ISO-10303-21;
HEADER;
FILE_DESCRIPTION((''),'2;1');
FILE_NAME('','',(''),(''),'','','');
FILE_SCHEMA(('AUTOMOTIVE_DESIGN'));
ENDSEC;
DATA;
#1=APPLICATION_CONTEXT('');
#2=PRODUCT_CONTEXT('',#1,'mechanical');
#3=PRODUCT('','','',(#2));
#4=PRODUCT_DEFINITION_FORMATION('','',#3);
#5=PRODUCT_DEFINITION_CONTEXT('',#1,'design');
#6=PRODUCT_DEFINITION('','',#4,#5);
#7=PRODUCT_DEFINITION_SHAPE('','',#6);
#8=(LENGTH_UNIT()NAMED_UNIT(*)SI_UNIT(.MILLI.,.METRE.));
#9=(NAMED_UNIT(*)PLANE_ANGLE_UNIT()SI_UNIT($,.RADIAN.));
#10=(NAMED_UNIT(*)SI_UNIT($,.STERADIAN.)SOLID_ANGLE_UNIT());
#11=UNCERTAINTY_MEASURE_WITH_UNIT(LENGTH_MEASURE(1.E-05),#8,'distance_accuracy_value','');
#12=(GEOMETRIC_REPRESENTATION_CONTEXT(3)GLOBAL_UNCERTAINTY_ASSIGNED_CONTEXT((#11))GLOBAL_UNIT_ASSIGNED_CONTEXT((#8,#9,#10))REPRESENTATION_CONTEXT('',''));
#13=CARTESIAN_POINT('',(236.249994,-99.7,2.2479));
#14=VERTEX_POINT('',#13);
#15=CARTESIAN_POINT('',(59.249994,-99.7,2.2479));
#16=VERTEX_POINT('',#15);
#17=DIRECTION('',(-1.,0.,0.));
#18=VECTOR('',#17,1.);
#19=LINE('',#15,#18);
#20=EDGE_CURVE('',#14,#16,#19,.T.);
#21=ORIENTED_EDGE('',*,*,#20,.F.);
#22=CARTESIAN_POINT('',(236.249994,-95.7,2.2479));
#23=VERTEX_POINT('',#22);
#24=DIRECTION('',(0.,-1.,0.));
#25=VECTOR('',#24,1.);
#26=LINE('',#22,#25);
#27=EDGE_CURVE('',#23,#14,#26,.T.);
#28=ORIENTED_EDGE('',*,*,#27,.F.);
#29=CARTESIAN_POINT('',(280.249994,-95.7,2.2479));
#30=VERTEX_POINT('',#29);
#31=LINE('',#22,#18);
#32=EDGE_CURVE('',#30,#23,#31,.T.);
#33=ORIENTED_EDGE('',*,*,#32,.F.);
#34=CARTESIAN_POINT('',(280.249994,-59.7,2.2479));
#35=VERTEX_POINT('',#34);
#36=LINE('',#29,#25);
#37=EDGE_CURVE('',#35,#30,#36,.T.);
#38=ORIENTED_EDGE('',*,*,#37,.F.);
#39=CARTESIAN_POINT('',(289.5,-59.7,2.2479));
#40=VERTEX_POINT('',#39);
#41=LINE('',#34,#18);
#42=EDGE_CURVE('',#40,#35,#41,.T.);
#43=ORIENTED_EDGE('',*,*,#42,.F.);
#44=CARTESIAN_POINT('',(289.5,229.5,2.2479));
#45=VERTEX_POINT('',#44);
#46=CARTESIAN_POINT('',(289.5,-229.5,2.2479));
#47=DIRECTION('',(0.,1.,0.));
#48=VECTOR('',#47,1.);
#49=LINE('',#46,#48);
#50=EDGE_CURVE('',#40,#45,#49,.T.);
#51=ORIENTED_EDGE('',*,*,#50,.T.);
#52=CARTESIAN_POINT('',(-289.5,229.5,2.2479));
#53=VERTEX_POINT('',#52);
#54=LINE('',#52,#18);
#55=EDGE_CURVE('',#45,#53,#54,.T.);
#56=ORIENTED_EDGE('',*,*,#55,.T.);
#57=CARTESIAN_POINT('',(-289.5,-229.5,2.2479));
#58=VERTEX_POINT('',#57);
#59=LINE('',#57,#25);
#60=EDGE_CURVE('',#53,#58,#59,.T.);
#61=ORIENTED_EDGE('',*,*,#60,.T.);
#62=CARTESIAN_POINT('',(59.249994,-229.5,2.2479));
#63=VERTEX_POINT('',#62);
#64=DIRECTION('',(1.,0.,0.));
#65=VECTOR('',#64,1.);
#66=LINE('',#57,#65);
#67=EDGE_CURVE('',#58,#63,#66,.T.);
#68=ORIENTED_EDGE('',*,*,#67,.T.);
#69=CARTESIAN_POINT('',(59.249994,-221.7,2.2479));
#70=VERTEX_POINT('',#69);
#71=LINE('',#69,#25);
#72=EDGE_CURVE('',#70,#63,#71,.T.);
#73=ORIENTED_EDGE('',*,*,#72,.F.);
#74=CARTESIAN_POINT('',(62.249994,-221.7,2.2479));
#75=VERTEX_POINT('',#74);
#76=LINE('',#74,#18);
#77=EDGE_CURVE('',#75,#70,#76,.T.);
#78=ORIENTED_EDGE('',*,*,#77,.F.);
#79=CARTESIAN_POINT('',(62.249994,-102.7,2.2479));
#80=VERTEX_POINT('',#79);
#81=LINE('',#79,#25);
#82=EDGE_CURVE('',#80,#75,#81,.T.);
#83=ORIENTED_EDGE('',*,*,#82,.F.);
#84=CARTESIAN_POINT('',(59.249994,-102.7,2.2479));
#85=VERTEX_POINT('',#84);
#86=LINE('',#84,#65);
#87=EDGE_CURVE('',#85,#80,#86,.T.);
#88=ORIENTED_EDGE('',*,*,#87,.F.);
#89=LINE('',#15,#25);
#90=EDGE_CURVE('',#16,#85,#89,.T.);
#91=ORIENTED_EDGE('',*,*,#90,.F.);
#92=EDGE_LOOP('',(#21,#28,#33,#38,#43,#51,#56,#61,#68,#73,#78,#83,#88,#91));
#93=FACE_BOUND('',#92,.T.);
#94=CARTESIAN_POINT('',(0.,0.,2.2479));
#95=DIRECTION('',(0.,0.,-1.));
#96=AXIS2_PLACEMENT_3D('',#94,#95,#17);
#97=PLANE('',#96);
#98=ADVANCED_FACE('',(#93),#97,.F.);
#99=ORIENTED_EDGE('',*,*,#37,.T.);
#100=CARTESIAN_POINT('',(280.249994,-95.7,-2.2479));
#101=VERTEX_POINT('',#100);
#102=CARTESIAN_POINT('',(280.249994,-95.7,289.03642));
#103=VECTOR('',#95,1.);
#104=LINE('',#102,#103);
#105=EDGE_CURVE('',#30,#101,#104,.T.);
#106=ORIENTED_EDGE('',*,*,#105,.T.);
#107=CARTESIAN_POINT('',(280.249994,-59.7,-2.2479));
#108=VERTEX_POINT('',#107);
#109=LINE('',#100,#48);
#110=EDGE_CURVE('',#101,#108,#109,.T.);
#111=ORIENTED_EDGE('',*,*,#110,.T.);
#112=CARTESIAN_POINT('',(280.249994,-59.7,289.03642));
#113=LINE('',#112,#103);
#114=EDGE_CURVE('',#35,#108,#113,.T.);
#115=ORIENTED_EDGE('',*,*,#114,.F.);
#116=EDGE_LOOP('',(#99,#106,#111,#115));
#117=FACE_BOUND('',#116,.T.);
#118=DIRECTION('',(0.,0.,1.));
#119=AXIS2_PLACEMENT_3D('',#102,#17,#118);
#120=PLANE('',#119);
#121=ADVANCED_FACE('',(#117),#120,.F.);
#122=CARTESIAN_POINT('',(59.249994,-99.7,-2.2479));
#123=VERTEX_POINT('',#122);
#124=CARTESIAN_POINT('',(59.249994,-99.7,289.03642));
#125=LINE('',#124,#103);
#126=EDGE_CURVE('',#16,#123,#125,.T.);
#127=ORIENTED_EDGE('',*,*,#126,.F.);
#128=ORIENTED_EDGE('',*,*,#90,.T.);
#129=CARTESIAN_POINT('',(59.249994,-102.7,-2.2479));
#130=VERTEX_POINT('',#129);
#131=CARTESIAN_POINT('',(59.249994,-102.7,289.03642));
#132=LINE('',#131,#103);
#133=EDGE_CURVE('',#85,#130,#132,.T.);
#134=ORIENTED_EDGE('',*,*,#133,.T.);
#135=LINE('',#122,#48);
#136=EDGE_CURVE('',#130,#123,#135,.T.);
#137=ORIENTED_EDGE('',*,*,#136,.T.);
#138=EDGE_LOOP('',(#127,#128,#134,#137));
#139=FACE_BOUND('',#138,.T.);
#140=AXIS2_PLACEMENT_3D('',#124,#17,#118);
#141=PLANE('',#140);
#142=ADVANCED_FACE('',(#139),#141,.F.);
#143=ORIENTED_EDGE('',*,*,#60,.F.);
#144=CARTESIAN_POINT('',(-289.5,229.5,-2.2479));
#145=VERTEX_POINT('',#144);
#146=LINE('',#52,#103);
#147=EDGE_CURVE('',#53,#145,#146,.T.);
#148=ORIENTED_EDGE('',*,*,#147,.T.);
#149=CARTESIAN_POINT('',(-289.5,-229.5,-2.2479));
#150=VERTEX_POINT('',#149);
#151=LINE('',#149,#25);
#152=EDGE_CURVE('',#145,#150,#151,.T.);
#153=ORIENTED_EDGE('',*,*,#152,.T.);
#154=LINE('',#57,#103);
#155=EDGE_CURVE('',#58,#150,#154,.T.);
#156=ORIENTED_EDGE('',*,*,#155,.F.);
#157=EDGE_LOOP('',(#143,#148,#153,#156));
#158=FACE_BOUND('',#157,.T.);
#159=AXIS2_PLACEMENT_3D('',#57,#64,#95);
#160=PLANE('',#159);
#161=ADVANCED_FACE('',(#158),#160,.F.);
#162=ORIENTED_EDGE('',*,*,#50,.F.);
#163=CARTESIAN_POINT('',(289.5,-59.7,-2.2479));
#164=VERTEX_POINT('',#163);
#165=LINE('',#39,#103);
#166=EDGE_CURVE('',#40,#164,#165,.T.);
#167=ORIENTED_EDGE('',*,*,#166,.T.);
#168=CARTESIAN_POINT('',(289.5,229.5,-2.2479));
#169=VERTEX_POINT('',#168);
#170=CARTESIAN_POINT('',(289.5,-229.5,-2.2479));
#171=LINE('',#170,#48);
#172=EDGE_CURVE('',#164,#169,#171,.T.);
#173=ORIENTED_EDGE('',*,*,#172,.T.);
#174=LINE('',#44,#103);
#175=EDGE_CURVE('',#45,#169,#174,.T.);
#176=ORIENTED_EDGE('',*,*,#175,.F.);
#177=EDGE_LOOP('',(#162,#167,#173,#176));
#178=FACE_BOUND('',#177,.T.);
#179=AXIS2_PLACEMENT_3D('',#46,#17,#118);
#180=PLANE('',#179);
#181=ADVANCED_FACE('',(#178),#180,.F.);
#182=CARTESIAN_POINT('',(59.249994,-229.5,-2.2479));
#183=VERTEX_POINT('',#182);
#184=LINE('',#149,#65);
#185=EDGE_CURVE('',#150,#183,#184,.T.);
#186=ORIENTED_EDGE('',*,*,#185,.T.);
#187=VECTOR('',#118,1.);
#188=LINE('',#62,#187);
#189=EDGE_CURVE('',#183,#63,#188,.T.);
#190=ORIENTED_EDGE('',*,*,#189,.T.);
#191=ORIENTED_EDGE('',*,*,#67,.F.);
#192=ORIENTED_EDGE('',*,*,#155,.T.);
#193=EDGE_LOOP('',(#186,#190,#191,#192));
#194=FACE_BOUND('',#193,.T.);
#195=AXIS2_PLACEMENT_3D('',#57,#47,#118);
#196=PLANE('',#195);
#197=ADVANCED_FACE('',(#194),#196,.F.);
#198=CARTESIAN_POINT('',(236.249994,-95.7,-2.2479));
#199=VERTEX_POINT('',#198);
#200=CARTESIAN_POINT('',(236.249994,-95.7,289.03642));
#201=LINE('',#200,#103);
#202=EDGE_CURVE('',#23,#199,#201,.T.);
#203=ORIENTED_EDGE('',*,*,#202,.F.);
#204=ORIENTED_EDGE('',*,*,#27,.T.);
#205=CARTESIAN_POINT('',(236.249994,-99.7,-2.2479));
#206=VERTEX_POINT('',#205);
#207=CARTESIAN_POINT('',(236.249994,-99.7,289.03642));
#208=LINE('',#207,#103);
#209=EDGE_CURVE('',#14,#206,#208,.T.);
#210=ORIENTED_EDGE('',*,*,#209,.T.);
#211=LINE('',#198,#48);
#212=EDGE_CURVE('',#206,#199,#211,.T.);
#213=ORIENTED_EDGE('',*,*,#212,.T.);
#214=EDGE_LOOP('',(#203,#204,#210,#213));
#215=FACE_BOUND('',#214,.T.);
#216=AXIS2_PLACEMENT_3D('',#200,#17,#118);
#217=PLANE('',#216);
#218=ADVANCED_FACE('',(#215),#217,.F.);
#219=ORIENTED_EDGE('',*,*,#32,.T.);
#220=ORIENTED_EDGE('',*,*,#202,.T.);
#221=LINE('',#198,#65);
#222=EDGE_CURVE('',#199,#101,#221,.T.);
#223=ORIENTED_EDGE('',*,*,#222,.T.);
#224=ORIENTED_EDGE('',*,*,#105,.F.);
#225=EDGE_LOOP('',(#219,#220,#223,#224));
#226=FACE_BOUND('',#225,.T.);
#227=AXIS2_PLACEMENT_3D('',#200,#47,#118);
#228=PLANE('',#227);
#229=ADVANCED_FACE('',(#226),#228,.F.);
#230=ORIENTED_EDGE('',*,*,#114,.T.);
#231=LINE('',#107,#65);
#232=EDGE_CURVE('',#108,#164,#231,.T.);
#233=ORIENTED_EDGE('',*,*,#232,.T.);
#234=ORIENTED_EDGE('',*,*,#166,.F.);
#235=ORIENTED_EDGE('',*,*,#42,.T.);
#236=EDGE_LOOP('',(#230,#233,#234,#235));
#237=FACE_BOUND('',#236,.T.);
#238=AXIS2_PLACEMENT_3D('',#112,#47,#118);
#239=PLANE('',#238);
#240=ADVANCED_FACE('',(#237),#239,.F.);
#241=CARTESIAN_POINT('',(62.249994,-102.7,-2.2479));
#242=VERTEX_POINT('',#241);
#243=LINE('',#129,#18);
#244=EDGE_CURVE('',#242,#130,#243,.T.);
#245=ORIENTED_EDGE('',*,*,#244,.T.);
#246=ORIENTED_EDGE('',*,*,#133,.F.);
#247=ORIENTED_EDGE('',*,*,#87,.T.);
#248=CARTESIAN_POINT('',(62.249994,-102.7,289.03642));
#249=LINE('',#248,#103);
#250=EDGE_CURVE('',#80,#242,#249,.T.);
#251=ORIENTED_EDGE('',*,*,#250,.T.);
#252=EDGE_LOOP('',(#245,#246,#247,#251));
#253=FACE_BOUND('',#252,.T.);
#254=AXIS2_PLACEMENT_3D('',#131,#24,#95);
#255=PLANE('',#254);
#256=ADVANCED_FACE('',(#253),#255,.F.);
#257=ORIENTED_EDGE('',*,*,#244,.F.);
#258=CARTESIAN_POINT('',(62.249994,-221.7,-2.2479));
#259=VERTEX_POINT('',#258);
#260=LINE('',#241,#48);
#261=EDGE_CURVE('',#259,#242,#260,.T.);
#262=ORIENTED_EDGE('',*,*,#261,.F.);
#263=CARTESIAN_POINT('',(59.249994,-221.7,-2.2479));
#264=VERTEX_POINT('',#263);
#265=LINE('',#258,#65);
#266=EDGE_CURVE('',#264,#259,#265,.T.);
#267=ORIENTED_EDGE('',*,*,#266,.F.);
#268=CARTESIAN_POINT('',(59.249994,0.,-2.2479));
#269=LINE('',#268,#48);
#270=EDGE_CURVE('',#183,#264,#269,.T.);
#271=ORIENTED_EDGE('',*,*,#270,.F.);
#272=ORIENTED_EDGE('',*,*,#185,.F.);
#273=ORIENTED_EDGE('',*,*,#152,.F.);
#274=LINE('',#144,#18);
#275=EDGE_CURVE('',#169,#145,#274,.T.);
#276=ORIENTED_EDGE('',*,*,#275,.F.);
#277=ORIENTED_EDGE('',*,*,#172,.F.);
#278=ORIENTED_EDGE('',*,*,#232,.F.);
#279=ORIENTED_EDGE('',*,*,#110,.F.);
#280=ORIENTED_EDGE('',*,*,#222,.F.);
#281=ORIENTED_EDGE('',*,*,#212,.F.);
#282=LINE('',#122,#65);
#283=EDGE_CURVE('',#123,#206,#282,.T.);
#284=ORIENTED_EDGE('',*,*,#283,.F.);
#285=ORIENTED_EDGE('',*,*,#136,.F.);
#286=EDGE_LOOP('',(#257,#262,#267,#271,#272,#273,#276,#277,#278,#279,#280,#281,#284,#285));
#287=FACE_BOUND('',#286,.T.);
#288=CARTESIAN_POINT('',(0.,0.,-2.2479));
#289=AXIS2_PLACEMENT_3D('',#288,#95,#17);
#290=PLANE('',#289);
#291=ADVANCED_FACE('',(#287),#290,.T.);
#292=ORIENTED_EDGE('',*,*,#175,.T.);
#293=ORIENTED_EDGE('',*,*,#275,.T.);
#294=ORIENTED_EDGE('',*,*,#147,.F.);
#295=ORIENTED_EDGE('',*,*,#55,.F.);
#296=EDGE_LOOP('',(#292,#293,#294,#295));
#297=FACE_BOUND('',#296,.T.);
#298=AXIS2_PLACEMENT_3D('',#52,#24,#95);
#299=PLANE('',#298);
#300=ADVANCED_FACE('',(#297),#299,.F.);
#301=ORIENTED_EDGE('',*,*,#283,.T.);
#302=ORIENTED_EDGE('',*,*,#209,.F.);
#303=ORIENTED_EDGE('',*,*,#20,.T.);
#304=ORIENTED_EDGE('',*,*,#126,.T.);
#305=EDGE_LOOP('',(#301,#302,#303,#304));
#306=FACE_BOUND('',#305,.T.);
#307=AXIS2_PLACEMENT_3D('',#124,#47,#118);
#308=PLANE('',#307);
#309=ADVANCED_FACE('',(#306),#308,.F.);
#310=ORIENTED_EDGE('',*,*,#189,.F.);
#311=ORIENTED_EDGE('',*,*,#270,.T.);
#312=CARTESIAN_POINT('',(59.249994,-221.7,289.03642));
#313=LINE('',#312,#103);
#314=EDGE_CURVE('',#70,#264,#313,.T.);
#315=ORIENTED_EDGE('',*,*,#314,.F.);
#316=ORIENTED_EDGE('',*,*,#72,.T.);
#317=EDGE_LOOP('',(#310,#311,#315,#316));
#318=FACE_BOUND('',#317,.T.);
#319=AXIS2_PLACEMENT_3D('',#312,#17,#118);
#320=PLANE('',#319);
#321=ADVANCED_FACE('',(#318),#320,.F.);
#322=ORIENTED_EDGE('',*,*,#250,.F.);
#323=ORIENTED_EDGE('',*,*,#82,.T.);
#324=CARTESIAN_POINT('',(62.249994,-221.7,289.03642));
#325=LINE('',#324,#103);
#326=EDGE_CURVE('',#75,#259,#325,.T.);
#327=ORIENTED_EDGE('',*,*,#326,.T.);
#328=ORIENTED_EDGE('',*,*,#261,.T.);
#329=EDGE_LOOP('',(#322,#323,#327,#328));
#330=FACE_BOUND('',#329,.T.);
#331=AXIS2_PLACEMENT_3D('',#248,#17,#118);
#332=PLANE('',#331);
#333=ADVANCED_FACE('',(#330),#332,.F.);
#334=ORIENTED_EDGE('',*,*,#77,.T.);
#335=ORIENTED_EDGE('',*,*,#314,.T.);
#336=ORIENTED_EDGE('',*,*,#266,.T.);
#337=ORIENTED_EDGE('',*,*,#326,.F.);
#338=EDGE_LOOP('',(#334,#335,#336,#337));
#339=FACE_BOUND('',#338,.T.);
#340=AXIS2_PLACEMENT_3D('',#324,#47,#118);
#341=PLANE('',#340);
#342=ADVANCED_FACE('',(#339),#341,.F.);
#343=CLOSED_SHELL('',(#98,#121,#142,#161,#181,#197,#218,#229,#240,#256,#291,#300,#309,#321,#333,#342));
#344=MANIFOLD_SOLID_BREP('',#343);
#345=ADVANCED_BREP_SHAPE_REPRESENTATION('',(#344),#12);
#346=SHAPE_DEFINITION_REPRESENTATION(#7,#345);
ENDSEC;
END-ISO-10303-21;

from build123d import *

# Parameters (mm, degrees)
SKETCH1_W           = 579
SKETCH1_H           = 459
BOSS_EXTRUDE1_DEPTH = 2.2479
CUT_EXTRUDE1_DEPTH  = 4.4958


with BuildPart() as part:
    # Sketch1 → Boss-Extrude1 (new body, symmetric)
    with BuildSketch(Plane.XY):
        Rectangle(SKETCH1_W, SKETCH1_H)
    extrude(amount=BOSS_EXTRUDE1_DEPTH, both=True)

    # Sketch2 → Cut-Extrude1 (cut)
    with BuildSketch(Plane(origin=(0, 0, -2.2479), x_dir=(-1, 0, 0), z_dir=(0, 0, -1))):
        Polygon((-280.249993563, -59.7), (-290, -59.7), (-290, -230), (-59.249993563, -230), (-59.249993563, -221.7), (-62.249993563, -221.7), (-62.249993563, -102.7), (-59.249993563, -102.7), (-59.249993563, -99.7), (-236.249993563, -99.7), (-236.249993563, -95.7), (-280.249993563, -95.7), align=None)
    extrude(amount=-CUT_EXTRUDE1_DEPTH, mode=Mode.SUBTRACT)


solid = part.part
